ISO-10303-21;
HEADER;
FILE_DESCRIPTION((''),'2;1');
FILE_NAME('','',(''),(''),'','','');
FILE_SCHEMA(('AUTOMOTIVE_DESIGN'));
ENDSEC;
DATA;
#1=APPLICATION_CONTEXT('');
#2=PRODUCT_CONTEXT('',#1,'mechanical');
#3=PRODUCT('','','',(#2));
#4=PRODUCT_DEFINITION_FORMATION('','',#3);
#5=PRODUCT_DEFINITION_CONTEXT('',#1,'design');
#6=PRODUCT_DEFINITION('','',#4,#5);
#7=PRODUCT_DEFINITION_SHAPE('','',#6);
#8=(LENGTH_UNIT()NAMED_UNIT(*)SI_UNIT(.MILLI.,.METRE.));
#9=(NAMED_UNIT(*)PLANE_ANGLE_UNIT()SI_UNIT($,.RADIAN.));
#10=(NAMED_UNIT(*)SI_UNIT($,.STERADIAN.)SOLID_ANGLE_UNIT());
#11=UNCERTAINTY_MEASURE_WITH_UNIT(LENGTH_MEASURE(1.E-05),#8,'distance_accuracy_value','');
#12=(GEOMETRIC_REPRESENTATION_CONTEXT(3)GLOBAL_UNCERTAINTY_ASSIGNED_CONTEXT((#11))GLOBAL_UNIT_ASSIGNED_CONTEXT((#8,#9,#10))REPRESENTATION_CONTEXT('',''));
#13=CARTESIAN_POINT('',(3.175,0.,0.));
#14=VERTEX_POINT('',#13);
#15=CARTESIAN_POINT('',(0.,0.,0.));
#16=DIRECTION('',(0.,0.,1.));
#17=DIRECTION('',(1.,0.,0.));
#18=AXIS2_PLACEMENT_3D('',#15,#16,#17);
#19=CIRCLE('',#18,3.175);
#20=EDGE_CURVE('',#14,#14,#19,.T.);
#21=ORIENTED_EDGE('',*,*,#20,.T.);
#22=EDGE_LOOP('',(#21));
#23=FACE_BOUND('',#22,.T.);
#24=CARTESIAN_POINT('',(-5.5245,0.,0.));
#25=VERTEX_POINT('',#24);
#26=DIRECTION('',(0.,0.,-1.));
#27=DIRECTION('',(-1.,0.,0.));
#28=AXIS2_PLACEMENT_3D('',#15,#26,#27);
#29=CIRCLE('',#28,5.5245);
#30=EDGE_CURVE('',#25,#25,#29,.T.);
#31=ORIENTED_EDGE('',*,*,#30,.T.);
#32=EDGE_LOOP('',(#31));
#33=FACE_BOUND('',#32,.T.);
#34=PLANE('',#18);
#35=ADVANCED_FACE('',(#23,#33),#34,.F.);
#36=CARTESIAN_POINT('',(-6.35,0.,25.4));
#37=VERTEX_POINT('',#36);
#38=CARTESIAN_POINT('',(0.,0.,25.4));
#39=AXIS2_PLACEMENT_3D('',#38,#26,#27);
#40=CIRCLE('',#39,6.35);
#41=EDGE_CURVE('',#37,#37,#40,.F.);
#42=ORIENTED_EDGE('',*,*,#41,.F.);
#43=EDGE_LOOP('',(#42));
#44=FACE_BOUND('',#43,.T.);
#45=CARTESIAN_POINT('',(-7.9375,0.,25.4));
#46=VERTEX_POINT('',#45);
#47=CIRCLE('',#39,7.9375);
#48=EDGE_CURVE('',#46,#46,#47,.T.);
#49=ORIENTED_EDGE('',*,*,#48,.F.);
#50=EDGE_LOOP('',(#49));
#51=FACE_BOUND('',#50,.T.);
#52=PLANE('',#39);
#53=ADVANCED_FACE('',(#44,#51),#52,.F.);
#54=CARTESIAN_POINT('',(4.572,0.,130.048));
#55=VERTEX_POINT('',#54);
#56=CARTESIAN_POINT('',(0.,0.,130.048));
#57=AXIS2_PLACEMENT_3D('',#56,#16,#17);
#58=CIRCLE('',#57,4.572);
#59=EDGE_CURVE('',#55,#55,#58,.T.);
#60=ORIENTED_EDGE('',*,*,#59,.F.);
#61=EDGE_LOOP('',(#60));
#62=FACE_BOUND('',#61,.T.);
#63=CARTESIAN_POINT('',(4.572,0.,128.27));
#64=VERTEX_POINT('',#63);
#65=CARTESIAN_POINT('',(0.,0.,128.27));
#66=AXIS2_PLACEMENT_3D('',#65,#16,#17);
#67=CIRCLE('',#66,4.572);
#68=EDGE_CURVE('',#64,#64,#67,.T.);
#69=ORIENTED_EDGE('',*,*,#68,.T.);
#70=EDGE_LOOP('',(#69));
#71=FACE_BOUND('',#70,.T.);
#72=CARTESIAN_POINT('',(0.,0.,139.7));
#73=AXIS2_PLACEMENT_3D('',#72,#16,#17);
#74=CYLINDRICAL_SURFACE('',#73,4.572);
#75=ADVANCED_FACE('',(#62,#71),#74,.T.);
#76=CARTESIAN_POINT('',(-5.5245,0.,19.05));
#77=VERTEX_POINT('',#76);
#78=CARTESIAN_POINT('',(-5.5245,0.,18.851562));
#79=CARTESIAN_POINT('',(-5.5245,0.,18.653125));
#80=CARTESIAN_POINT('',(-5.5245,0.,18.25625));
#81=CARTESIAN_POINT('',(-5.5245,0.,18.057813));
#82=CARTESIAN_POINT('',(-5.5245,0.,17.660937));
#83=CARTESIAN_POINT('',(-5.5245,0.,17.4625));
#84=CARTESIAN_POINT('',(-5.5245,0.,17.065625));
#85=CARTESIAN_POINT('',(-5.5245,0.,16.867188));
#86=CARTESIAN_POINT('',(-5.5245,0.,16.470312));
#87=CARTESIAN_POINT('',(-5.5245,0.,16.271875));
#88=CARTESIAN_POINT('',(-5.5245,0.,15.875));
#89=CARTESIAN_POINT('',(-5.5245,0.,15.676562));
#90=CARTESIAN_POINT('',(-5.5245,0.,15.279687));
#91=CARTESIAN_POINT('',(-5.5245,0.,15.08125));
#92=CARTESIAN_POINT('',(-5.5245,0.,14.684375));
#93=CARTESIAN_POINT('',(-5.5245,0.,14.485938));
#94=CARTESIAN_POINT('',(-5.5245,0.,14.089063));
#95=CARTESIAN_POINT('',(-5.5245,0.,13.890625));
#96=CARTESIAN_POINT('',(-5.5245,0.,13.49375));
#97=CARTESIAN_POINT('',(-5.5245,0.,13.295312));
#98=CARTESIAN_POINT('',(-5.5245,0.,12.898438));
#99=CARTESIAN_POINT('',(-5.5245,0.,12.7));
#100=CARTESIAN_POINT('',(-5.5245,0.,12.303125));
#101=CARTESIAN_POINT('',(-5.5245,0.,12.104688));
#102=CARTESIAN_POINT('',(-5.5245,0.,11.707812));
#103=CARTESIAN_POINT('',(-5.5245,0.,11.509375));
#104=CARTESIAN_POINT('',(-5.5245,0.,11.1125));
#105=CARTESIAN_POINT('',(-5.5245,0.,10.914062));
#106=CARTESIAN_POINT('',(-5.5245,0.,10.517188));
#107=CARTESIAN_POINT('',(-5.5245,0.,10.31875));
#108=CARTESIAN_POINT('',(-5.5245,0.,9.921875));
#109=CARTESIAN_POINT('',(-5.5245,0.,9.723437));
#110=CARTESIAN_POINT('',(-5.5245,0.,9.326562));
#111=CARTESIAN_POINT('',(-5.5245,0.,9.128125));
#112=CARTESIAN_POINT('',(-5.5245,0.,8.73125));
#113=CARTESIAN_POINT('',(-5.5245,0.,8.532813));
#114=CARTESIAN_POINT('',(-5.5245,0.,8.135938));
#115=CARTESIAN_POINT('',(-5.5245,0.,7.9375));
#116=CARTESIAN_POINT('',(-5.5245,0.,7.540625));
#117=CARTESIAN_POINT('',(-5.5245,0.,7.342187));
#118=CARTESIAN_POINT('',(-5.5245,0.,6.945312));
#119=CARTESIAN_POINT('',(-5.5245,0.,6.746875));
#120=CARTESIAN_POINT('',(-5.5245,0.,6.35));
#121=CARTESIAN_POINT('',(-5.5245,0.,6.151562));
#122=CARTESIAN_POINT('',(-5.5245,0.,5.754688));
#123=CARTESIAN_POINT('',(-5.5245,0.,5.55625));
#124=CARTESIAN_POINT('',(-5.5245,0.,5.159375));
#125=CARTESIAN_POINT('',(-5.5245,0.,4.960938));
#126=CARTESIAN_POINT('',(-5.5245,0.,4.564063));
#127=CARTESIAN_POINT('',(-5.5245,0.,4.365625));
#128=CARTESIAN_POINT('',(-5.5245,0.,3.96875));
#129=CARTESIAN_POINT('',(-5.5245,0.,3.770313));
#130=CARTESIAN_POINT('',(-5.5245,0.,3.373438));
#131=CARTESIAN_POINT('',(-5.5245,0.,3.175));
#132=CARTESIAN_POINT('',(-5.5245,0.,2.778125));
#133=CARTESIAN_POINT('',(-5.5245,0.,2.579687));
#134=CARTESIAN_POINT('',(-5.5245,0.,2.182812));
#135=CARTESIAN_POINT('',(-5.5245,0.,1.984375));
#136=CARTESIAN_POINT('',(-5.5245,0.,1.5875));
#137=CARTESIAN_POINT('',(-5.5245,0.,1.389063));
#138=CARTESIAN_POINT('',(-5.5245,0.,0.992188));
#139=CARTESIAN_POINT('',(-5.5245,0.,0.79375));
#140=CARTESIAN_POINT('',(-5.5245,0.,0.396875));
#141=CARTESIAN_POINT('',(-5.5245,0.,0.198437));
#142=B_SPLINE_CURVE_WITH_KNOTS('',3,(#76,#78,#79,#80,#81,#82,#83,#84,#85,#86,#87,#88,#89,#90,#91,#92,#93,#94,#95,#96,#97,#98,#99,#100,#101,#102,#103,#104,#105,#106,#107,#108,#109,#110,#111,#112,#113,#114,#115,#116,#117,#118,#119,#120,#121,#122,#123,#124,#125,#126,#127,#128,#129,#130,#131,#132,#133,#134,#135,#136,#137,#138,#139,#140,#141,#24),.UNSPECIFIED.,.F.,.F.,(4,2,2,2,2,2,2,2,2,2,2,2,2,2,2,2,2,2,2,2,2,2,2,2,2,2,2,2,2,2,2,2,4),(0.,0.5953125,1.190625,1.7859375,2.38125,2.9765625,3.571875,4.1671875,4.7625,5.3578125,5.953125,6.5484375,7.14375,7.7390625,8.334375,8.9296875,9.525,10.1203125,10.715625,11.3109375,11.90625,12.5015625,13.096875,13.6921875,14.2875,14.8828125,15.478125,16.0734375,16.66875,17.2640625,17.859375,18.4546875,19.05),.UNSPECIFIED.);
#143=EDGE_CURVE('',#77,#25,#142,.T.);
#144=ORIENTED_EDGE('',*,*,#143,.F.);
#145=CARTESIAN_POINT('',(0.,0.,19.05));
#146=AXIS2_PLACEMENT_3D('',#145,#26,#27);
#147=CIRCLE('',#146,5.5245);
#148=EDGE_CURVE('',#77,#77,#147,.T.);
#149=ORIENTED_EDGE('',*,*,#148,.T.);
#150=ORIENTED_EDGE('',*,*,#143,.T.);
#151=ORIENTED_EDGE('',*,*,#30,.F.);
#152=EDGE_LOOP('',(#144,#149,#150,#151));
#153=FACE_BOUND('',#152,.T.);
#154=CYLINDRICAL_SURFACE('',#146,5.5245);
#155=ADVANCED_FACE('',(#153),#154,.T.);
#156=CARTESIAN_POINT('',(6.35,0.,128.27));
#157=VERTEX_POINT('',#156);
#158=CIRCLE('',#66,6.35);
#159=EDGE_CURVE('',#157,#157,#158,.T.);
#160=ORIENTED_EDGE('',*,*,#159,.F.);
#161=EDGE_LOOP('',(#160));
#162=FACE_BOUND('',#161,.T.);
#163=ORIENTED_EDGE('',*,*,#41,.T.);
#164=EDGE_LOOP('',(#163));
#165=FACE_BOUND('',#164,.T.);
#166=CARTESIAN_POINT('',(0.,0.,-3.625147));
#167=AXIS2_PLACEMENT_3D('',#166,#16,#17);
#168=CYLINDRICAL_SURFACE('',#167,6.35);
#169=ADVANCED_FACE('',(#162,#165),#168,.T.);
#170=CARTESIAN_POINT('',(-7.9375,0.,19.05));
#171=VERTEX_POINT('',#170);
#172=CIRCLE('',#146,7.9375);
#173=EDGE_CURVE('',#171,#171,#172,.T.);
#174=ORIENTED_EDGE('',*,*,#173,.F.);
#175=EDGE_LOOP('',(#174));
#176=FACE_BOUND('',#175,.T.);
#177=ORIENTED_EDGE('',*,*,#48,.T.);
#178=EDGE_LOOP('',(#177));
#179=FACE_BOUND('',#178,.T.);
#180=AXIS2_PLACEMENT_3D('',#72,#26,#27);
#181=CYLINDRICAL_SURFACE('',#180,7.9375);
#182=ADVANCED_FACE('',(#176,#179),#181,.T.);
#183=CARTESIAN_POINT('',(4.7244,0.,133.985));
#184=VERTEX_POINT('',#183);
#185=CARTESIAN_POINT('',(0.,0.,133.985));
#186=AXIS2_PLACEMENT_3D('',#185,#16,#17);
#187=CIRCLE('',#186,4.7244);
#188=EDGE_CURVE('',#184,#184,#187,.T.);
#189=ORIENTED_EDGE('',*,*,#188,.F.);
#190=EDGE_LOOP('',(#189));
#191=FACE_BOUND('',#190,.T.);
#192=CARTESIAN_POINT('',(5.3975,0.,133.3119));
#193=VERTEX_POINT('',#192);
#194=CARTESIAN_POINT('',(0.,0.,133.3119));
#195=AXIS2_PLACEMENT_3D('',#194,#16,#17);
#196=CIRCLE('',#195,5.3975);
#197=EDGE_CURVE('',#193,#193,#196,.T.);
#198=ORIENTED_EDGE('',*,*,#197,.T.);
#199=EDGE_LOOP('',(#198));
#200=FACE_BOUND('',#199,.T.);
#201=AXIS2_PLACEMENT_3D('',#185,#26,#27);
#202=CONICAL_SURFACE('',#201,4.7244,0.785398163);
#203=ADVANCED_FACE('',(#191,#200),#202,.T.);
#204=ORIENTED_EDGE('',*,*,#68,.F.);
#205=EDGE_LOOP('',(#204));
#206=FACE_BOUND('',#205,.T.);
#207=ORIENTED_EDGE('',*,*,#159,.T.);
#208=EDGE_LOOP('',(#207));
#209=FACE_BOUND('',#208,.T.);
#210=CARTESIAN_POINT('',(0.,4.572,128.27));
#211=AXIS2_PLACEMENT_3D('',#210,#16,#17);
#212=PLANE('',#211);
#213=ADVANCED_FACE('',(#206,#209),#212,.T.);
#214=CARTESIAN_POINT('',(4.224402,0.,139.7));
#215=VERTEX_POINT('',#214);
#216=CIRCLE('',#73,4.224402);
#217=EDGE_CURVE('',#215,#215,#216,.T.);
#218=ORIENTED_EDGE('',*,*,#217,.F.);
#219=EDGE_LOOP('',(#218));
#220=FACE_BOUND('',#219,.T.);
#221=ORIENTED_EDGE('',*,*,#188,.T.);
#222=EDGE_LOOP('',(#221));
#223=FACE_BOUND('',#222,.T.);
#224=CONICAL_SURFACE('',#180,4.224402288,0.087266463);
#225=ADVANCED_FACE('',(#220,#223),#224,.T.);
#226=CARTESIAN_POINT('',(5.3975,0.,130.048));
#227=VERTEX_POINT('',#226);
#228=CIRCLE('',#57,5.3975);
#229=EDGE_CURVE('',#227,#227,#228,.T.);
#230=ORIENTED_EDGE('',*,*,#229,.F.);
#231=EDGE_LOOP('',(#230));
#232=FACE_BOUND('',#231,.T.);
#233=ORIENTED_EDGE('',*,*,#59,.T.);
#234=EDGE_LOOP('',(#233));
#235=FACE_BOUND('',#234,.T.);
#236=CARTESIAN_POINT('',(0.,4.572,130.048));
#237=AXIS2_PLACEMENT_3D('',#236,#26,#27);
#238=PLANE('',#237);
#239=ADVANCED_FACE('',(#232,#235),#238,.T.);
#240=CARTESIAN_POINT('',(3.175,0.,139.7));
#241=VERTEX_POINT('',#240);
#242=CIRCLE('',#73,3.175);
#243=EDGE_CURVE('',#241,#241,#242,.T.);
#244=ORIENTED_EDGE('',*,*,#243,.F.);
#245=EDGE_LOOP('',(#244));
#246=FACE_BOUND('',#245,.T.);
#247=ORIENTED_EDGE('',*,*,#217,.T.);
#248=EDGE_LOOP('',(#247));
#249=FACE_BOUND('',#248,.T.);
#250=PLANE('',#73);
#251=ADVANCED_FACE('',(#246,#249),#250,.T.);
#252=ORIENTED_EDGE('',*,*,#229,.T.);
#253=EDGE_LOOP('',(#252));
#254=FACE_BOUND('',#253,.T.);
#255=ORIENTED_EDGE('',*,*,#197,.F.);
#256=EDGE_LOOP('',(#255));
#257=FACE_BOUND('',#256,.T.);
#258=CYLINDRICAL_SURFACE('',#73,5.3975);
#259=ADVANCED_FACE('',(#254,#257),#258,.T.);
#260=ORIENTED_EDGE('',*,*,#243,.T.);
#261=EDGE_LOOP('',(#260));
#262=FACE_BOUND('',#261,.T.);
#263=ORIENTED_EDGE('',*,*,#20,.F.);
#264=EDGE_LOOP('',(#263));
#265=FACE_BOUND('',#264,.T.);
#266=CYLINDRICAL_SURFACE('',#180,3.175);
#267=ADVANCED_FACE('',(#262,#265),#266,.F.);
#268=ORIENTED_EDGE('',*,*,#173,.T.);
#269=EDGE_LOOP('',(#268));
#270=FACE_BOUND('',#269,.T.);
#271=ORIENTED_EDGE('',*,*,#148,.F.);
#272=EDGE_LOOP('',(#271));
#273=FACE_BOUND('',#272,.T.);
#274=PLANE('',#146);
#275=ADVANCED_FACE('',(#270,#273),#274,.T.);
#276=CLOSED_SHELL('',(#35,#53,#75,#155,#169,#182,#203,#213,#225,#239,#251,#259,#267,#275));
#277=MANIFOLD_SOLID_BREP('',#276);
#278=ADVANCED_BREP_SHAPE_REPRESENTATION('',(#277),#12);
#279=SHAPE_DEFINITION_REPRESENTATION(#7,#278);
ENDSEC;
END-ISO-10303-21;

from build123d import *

# Parameters (mm, degrees)
SKETCH2_R           = 7.9375
SKETCH2_R_2         = 3.175
BOSS_EXTRUDE1_DEPTH = 139.7
SKETCH3_OUTSIDE_W   = 46.174
SKETCH3_OUTSIDE_H   = 46.174
SKETCH3_OUTSIDE_R   = 5.5245
CUT_EXTRUDE1_DEPTH  = 19.05
SKETCH4_OUTSIDE_W   = 46.174
SKETCH4_OUTSIDE_H   = 46.174
SKETCH4_OUTSIDE_R   = 6.35
CUT_EXTRUDE2_DEPTH  = 114.3


with BuildPart() as part:
    # Sketch2 → Boss-Extrude1 (new body)
    with BuildSketch(Plane.XY):
        Circle(SKETCH2_R)
        Circle(SKETCH2_R_2, mode=Mode.SUBTRACT)
    extrude(amount=BOSS_EXTRUDE1_DEPTH)

    # Sketch3 outside → Cut-Extrude1 (cut)
    with BuildSketch(Plane(origin=(0, 0, 0), x_dir=(-1, 0, 0), z_dir=(0, 0, -1))):
        Rectangle(SKETCH3_OUTSIDE_W, SKETCH3_OUTSIDE_H)
        Circle(SKETCH3_OUTSIDE_R, mode=Mode.SUBTRACT)
    extrude(amount=-CUT_EXTRUDE1_DEPTH, mode=Mode.SUBTRACT)

    # Sketch4 outside → Cut-Extrude2 (cut)
    with BuildSketch(Plane.XY.offset(139.7)):
        Rectangle(SKETCH4_OUTSIDE_W, SKETCH4_OUTSIDE_H)
        Circle(SKETCH4_OUTSIDE_R, mode=Mode.SUBTRACT)
    extrude(amount=-CUT_EXTRUDE2_DEPTH, mode=Mode.SUBTRACT)

    # Sketch9 → Cut-Revolve1 (revolve, cut)
    with BuildSketch(Plane(origin=(0, 0, 0), x_dir=(0, 0, -1), z_dir=(1, 0, 0)), mode=Mode.PRIVATE) as cut_revolve1_sk:
        Polygon((-133.985, 4.7244), (-139.7, 4.224402288), (-139.7, 6.35), (-128.27, 6.35), (-128.27, 4.572), (-130.048, 4.572), (-130.048, 5.3975), (-133.3119, 5.3975), align=None)
    revolve(cut_revolve1_sk.sketch.rotate(Axis((0, 0, 139.7), (0, 0, -1)), 90), axis=Axis((0, 0, 139.7), (0, 0, -1)), mode=Mode.SUBTRACT)


solid = part.part
